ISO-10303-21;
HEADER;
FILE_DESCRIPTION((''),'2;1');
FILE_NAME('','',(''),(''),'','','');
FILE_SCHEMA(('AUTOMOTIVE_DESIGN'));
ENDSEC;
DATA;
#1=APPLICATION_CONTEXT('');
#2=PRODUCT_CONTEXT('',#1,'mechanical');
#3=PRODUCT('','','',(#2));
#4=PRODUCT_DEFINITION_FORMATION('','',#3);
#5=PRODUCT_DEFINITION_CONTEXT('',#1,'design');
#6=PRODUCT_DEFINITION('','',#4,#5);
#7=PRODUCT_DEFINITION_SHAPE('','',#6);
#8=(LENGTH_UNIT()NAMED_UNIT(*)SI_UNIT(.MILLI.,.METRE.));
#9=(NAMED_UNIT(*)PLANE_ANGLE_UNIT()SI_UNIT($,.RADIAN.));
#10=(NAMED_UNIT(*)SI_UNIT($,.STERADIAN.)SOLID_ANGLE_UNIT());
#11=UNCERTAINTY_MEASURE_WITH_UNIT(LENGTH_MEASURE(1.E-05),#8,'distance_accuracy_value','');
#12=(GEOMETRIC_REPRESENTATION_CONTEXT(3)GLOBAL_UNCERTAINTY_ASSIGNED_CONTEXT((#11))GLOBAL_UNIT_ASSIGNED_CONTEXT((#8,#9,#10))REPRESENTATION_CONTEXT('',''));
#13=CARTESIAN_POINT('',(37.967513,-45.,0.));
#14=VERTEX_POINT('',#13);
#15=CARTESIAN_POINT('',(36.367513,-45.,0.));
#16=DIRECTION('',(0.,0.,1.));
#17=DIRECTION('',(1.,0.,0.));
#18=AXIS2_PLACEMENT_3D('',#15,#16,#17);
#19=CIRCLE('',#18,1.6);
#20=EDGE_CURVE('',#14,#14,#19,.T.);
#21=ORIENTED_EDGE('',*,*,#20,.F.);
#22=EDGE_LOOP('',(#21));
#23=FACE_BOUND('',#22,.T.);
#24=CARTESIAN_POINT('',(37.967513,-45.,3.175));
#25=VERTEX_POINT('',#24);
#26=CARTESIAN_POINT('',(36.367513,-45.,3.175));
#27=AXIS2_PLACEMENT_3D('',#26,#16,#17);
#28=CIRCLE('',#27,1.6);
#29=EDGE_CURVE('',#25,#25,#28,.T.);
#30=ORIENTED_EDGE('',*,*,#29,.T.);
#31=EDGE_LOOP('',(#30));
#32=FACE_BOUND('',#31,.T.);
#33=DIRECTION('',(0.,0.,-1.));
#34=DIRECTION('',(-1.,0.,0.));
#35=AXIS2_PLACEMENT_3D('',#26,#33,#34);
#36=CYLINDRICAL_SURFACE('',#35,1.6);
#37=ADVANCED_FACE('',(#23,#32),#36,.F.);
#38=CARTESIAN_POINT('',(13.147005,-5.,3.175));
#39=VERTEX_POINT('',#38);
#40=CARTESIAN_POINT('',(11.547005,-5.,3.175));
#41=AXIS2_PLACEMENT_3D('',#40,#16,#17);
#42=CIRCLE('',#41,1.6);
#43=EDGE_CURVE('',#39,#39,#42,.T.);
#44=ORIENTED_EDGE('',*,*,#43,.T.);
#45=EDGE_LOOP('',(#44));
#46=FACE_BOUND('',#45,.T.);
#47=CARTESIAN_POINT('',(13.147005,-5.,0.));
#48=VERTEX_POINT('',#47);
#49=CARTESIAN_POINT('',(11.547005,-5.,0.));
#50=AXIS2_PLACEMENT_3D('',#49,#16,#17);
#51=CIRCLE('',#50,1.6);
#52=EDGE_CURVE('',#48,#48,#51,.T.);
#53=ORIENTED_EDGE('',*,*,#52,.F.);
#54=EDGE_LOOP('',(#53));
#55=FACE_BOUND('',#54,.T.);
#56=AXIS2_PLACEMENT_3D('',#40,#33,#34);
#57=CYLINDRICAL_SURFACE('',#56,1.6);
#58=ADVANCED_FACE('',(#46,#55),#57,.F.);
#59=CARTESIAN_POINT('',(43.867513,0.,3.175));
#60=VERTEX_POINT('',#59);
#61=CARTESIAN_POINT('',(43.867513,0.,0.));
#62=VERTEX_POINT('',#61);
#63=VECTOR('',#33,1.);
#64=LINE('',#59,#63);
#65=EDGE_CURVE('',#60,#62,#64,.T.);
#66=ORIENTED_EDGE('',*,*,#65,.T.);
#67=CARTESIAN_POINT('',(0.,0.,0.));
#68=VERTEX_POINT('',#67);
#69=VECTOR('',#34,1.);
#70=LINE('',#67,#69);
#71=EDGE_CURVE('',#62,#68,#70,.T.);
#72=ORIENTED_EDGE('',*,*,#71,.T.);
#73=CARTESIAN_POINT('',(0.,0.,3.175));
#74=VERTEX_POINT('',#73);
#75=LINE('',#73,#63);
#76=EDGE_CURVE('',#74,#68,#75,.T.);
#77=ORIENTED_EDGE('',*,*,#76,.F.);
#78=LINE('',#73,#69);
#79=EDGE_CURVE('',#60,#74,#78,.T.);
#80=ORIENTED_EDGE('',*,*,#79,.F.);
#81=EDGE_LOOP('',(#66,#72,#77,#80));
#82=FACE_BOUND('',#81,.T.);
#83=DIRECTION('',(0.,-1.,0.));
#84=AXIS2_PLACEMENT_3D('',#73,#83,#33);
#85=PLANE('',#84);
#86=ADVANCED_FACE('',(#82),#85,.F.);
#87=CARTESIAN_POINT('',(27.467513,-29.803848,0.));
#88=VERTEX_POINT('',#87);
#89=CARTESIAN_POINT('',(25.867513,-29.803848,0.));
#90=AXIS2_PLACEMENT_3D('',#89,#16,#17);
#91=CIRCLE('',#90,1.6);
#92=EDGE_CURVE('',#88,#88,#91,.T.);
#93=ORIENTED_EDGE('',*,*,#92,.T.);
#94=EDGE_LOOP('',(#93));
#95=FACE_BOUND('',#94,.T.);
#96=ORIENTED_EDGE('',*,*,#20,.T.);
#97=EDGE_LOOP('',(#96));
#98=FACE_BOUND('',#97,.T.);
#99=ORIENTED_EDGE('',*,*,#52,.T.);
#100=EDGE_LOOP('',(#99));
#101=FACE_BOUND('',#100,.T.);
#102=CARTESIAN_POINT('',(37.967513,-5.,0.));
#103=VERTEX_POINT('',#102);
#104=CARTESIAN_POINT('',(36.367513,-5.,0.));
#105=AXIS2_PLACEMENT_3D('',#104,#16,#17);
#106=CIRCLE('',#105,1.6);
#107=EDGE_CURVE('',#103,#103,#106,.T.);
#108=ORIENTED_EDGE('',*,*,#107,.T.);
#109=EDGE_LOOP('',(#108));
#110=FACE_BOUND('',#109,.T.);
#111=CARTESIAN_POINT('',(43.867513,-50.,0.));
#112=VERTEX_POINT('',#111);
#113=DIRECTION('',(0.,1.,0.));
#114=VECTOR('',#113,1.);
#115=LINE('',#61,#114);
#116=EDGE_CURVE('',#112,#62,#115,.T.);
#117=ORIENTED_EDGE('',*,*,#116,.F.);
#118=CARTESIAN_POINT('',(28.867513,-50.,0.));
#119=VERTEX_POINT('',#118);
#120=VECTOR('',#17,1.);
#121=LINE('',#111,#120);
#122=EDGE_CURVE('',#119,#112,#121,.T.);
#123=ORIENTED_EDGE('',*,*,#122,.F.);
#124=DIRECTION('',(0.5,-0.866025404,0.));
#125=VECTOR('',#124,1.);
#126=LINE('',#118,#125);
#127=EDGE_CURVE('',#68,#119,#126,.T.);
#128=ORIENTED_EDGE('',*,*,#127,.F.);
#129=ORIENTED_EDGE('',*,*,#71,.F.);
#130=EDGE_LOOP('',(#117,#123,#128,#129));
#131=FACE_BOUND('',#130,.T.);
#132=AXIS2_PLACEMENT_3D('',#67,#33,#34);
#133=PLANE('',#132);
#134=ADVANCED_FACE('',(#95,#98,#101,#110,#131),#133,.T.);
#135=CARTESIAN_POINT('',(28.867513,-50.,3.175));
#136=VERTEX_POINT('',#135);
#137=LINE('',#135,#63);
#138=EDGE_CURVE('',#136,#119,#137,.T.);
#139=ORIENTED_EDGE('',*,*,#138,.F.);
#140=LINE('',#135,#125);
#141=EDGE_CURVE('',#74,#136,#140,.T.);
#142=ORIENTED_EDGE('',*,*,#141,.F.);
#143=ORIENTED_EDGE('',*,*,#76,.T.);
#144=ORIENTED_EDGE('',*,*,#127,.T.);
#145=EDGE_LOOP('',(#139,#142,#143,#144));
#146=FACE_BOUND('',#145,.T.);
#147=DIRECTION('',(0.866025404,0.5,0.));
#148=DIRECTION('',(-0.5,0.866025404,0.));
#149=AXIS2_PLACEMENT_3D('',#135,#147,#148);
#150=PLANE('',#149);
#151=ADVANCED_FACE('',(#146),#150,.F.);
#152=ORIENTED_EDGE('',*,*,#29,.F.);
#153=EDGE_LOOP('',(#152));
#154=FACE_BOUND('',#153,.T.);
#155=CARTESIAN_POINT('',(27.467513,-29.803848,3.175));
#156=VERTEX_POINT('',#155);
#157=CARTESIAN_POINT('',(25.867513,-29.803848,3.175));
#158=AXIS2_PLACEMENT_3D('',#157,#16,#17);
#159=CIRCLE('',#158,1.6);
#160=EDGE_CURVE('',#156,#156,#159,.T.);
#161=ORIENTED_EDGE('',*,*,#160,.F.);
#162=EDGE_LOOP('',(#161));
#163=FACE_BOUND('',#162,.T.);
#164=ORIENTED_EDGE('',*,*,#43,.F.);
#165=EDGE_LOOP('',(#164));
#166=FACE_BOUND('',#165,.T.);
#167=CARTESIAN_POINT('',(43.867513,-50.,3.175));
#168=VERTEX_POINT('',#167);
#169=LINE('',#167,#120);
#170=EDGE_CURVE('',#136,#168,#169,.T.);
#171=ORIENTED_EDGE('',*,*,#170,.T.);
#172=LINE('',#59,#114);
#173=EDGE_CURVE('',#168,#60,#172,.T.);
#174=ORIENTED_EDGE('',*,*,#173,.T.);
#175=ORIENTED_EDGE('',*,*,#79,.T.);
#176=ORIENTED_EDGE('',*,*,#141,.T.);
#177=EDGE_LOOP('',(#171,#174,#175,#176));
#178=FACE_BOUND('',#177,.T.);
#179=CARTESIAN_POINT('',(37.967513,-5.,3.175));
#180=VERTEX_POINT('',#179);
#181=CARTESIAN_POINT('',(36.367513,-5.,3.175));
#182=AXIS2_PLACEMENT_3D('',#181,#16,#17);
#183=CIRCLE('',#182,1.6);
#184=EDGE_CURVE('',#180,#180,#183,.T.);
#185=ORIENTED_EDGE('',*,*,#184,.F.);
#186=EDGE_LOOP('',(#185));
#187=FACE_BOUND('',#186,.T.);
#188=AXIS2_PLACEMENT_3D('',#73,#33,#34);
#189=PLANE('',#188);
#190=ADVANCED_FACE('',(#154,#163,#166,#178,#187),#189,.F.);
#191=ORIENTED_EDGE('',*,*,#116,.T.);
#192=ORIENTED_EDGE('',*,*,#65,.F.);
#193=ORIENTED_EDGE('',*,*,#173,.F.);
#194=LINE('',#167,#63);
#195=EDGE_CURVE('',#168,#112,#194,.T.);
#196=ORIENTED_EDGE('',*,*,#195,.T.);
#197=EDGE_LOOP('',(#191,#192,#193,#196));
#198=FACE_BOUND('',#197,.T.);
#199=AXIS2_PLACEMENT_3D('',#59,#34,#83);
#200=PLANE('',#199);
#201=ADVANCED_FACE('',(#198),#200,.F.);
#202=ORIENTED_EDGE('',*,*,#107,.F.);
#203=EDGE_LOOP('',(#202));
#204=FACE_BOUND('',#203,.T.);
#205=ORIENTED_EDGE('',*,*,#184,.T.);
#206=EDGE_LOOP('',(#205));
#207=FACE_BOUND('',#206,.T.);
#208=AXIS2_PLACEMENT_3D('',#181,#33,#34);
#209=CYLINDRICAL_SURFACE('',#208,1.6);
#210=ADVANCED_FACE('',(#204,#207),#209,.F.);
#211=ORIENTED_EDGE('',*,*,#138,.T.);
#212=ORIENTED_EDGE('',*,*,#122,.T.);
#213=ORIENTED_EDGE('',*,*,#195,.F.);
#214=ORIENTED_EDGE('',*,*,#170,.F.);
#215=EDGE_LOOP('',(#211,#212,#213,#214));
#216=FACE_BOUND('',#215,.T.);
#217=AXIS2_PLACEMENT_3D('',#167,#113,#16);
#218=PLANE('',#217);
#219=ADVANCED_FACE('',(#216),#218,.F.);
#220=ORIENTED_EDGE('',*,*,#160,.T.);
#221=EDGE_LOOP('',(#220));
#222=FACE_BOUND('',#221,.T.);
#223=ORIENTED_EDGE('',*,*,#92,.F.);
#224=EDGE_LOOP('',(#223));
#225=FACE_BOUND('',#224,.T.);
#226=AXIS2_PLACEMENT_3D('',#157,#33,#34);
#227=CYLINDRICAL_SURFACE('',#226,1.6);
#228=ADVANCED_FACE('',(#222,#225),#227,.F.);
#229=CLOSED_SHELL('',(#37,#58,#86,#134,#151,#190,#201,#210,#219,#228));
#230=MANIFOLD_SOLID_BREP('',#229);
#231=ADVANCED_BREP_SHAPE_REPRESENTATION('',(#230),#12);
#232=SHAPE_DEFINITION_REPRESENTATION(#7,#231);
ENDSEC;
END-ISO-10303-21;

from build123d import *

# Parameters (mm, degrees)
SKETCH1_R           = 1.6
BOSS_EXTRUDE1_DEPTH = 3.175


with BuildPart() as part:
    # Sketch1 → Boss-Extrude1 (new body)
    with BuildSketch(Plane.XY):
        Polygon((0, 0), (43.867513459, 0), (43.867513459, -50), (28.867513459, -50), align=None)
        with Locations((36.367513459, -5)):
            Circle(SKETCH1_R, mode=Mode.SUBTRACT)
        with Locations((36.367513459, -45)):
            Circle(SKETCH1_R, mode=Mode.SUBTRACT)
        with Locations((11.547005384, -5)):
            Circle(SKETCH1_R, mode=Mode.SUBTRACT)
        with Locations((25.867513459, -29.803847577)):
            Circle(SKETCH1_R, mode=Mode.SUBTRACT)
    extrude(amount=BOSS_EXTRUDE1_DEPTH)


solid = part.part
